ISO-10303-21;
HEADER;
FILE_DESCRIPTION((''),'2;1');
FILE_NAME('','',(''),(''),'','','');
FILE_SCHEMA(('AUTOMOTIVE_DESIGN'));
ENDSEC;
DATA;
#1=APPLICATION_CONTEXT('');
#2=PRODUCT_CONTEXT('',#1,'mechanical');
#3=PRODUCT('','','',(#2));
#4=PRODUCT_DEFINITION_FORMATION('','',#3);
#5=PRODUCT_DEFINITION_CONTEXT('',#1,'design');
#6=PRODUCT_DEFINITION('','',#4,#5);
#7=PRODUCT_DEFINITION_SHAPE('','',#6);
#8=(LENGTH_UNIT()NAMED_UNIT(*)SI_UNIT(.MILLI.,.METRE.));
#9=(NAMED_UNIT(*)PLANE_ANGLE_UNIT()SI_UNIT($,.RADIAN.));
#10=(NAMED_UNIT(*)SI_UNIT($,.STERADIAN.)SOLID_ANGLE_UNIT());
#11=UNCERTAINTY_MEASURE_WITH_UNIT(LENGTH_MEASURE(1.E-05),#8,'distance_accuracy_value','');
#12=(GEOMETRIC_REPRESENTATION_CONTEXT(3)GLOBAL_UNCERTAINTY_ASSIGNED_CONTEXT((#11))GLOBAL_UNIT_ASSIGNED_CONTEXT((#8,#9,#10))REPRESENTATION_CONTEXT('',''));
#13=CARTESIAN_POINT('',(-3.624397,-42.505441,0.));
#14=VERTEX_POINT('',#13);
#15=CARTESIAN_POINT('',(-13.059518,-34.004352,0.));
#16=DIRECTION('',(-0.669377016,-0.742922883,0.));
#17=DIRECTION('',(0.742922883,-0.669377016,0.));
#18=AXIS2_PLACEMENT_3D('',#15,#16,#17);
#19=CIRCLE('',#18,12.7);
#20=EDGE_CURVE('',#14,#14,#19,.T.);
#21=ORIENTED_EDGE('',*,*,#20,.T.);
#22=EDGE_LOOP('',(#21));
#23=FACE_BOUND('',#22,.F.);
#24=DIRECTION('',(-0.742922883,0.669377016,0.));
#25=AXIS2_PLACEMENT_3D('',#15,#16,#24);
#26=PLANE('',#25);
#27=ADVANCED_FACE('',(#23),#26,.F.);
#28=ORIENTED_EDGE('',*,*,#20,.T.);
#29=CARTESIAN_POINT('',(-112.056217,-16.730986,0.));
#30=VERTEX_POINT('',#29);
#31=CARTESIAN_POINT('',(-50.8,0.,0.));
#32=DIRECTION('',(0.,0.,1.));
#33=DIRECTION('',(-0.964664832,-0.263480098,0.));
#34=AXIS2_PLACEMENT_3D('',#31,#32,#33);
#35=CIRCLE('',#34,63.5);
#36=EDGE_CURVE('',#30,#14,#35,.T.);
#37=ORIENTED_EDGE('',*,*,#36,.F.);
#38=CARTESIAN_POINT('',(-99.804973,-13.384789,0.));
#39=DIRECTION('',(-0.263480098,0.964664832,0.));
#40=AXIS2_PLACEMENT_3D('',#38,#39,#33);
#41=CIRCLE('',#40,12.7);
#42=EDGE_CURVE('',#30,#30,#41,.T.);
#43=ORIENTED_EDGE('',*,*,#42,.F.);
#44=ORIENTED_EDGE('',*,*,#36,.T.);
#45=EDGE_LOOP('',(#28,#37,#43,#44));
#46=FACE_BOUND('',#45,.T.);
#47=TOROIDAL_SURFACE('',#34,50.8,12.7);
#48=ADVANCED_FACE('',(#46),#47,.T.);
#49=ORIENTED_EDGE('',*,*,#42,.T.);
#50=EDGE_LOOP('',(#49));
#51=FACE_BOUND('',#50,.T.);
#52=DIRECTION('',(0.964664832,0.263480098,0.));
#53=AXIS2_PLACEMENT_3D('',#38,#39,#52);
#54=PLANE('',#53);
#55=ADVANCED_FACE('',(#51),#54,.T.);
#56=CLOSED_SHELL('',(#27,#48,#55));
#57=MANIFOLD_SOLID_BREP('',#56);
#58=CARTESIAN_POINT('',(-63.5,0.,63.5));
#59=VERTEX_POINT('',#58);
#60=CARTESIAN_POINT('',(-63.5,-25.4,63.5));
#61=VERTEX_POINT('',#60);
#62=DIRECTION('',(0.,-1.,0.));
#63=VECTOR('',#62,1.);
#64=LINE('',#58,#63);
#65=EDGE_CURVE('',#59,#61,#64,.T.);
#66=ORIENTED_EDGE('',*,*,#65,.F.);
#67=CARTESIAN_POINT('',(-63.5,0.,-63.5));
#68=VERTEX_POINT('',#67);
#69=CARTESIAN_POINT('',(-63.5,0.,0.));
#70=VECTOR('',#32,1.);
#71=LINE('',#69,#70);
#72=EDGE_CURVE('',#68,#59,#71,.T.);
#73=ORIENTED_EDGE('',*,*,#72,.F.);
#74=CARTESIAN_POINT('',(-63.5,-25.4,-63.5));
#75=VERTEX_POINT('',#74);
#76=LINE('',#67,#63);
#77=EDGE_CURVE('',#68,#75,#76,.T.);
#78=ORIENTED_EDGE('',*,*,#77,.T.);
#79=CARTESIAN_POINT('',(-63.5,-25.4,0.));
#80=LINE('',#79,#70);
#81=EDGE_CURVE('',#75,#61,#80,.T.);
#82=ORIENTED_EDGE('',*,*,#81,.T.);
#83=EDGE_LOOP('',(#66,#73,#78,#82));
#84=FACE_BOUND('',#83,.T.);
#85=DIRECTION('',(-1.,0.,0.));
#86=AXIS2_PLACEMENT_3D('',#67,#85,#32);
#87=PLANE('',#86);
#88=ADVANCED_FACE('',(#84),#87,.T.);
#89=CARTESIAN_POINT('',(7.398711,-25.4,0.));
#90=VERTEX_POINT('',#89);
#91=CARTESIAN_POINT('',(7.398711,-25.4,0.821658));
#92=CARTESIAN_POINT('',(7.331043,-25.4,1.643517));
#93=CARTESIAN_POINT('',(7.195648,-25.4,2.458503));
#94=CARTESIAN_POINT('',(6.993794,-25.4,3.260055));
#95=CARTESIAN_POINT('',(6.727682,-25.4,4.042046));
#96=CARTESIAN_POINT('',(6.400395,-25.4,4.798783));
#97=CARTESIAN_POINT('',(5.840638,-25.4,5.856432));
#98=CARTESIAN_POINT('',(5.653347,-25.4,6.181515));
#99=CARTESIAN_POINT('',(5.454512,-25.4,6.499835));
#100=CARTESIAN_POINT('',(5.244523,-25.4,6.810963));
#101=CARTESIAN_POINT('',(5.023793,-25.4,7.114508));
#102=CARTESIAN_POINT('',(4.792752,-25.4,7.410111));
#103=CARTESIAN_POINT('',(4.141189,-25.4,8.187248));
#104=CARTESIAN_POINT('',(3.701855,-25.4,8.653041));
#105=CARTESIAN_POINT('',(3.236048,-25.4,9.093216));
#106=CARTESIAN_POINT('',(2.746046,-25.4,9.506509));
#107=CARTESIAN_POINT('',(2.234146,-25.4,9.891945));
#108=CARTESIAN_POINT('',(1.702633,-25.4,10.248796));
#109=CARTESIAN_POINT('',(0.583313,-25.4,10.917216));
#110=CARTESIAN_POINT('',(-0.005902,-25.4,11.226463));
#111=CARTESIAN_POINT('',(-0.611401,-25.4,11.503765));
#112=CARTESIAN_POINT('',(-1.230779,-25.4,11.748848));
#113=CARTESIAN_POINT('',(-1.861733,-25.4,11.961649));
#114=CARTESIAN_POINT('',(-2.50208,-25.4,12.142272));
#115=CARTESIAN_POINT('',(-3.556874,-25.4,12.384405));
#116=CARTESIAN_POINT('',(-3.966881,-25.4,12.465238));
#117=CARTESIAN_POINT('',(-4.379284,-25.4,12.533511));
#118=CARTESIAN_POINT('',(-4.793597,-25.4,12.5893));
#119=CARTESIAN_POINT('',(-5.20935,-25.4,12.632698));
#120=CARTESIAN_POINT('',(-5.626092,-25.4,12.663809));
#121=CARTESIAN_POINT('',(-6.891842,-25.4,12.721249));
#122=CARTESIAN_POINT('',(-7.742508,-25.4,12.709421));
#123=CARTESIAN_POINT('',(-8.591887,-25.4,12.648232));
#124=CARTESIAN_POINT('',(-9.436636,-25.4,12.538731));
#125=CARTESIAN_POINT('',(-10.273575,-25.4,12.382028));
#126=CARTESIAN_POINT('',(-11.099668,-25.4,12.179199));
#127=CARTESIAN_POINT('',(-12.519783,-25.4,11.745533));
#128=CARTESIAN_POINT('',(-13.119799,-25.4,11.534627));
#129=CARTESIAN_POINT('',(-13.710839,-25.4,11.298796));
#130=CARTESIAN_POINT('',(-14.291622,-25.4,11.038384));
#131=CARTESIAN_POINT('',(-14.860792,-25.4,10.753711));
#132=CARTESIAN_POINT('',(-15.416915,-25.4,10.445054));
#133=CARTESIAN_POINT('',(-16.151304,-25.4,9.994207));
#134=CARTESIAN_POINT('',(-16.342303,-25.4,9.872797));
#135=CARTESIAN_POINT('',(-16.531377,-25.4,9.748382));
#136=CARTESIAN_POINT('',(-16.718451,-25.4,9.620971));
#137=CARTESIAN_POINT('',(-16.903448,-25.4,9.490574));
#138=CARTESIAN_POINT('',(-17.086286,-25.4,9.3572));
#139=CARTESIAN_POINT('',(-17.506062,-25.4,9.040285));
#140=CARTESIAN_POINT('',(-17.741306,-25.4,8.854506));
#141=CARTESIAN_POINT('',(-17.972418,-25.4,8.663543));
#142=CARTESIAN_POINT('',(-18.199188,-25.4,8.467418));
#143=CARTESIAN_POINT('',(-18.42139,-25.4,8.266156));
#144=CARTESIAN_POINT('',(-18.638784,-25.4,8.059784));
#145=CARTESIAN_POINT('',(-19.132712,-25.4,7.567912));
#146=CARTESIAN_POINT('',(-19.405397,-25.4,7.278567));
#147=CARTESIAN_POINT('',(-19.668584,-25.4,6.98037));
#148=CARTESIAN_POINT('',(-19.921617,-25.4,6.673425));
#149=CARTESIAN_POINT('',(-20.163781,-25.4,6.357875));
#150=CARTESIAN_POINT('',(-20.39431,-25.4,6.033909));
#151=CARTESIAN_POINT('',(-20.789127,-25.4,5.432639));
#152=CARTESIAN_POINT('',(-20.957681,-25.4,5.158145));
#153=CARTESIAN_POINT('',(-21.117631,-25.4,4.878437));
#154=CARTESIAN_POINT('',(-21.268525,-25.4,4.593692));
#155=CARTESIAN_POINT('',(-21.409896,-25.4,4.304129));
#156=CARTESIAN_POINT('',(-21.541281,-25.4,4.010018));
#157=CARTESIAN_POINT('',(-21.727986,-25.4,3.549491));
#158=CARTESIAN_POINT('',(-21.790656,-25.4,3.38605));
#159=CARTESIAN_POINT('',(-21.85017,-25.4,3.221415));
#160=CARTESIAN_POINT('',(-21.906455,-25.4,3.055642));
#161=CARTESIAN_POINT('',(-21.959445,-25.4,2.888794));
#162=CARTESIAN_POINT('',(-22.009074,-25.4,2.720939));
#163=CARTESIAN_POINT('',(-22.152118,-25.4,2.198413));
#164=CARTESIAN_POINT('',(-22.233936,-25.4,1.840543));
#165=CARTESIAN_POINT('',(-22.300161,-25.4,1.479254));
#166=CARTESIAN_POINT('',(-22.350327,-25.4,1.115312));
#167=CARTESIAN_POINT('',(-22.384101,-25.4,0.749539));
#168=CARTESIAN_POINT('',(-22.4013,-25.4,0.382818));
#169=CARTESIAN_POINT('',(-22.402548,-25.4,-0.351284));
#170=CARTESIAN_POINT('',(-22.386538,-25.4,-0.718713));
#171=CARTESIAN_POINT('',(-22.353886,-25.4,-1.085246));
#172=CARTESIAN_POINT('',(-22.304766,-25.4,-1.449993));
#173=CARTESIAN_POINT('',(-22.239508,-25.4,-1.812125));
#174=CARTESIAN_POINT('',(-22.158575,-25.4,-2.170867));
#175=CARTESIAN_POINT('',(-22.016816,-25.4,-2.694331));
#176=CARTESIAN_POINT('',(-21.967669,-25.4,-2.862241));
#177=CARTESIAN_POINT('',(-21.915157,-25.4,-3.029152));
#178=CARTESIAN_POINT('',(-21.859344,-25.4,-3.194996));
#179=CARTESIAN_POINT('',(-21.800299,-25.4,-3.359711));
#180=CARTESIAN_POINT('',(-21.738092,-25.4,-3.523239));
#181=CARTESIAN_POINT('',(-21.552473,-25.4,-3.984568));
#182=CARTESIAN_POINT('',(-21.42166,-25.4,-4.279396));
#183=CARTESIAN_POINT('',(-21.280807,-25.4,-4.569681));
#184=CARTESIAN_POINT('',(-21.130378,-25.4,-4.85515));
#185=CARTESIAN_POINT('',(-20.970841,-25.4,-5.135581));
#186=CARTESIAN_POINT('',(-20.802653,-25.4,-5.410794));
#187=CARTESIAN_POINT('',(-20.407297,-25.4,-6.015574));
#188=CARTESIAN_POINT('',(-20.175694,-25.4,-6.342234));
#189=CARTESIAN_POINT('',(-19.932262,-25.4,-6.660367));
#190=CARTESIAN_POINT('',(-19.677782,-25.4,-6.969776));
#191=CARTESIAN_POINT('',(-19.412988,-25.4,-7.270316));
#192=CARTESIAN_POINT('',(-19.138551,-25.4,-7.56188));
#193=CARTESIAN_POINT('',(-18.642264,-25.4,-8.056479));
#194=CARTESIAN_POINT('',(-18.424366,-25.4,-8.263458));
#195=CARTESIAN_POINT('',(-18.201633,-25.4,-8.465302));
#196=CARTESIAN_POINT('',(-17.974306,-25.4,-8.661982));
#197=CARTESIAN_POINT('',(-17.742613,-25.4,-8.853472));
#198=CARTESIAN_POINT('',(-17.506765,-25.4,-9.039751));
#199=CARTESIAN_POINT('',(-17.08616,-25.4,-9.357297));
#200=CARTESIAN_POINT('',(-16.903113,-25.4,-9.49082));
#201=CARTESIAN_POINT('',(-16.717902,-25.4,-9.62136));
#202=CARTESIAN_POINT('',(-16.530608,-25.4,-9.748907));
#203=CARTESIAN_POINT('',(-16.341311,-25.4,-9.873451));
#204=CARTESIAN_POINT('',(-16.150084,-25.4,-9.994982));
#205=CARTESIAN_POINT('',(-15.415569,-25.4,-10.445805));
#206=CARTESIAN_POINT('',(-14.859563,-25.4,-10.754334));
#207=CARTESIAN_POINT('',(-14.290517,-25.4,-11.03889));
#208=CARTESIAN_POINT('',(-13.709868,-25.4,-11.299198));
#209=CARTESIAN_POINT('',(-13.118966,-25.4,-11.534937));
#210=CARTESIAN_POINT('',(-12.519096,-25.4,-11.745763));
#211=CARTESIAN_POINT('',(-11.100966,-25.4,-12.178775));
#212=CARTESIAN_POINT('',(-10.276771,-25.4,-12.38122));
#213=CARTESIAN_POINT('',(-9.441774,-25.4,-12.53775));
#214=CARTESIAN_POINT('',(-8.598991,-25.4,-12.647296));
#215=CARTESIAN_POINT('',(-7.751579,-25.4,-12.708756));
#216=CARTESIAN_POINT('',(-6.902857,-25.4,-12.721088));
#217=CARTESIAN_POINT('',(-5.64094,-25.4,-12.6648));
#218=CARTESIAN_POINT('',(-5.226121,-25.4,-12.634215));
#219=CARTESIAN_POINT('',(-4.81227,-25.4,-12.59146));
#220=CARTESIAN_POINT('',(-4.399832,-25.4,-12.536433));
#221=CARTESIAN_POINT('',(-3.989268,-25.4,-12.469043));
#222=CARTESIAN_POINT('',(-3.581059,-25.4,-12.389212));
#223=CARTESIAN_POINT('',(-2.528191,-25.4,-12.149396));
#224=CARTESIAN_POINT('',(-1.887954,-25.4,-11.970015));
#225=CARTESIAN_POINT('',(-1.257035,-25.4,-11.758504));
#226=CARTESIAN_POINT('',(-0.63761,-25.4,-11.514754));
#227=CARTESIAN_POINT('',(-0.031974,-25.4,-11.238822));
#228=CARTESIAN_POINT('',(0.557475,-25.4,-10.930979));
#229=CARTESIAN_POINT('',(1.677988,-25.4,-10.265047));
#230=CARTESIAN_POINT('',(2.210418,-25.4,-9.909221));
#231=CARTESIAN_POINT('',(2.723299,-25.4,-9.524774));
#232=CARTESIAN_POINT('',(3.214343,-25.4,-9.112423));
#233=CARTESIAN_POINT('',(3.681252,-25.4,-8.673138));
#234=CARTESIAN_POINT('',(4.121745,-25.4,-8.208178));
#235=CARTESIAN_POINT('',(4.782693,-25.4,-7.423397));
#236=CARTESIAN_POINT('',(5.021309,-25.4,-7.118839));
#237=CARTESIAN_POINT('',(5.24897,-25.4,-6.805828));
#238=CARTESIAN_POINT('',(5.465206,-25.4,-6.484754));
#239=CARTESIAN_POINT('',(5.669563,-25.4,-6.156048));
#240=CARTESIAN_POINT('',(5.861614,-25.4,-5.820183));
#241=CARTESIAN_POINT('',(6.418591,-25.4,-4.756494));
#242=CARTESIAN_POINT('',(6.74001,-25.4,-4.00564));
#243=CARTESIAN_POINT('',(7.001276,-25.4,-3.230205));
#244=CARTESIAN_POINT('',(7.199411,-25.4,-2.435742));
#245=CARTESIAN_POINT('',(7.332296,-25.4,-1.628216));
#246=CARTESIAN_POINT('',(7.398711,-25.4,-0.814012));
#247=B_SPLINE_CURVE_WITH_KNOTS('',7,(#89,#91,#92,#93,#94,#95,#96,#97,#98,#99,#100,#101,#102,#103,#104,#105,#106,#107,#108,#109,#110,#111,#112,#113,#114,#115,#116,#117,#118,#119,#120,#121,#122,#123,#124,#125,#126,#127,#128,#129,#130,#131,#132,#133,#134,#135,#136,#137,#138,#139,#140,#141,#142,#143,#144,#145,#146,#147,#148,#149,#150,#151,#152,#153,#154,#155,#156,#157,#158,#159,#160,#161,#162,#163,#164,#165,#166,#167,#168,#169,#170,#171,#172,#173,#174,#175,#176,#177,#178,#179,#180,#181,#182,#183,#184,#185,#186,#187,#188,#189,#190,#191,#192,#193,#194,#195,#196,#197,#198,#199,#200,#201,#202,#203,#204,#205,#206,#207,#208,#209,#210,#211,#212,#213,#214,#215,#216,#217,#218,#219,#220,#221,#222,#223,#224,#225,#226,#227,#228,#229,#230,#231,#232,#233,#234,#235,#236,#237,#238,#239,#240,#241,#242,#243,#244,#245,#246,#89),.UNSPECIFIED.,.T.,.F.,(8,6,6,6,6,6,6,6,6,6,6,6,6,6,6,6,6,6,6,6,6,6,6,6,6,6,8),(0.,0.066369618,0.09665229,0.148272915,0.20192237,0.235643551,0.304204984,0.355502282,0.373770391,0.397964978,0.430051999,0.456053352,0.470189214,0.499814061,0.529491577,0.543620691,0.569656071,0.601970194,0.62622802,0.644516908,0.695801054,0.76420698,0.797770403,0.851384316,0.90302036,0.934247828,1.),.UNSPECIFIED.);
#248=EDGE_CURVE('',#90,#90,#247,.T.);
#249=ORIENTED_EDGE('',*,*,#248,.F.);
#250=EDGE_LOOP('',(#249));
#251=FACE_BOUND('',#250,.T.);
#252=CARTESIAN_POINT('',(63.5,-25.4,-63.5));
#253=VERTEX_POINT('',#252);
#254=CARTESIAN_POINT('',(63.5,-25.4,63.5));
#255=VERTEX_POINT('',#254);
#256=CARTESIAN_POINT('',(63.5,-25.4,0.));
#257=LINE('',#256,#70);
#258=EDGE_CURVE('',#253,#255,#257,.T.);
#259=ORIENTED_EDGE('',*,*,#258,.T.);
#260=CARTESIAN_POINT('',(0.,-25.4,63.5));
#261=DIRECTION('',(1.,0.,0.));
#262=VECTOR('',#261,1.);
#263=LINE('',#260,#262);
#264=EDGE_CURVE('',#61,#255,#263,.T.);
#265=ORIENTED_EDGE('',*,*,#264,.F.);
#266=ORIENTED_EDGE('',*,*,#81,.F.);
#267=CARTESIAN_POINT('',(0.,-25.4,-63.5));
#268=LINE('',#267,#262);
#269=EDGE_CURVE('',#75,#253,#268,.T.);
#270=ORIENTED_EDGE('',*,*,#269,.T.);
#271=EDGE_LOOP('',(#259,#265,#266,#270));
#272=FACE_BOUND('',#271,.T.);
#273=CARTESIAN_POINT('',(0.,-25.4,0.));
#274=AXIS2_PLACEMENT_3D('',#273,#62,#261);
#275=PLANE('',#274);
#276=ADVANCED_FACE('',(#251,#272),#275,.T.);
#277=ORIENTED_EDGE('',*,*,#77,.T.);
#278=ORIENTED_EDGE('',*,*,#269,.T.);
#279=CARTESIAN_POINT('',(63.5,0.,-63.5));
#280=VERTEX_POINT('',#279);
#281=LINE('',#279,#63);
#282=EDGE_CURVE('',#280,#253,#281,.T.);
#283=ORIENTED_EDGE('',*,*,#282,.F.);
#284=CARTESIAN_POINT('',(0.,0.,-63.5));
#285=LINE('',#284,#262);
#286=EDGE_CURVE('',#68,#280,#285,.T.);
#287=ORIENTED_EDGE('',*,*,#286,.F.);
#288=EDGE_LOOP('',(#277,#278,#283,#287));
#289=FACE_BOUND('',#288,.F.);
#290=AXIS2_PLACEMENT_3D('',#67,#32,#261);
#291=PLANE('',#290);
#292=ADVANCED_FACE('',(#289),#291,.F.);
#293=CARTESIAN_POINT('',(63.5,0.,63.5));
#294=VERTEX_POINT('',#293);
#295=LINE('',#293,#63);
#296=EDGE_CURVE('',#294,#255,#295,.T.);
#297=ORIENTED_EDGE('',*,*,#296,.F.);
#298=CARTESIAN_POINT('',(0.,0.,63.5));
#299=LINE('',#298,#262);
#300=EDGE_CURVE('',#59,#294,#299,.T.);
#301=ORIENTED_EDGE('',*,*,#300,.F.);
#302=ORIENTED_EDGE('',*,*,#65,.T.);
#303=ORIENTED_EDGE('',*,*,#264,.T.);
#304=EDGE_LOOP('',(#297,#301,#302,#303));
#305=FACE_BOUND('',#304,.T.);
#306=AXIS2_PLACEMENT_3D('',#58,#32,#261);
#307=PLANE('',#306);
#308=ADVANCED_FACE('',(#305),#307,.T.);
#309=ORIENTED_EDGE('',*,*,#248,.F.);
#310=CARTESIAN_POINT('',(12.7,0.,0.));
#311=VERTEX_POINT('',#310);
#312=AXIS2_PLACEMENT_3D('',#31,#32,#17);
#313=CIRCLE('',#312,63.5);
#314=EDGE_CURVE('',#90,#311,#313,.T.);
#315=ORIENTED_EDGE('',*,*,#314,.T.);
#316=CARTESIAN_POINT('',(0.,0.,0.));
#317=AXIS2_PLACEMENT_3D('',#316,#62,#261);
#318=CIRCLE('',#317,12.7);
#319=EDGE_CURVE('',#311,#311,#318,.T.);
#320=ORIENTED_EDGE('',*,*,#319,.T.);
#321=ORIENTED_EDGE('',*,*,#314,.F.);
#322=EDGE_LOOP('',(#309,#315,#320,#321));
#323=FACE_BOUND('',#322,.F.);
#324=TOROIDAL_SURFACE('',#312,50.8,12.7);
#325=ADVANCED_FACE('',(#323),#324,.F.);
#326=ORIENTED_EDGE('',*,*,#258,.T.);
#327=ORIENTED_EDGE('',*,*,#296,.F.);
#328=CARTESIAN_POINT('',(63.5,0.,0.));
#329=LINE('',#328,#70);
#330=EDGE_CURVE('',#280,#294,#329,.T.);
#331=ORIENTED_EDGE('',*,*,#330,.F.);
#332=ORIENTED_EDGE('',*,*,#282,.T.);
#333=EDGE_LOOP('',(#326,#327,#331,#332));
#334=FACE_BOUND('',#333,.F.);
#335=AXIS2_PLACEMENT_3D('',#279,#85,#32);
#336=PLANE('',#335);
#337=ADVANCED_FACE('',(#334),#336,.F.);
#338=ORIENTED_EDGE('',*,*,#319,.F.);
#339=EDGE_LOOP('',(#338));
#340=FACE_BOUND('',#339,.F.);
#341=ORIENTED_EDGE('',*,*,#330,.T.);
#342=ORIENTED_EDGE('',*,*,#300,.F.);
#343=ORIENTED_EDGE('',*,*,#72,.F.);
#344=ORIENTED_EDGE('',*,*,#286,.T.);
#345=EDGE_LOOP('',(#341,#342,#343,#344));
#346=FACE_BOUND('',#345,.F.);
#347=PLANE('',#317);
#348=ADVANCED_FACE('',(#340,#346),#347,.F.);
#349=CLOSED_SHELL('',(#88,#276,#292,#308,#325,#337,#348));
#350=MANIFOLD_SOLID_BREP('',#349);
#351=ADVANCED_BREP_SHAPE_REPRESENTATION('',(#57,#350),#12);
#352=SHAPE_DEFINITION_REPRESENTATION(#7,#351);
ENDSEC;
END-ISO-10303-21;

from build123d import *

# Parameters (mm, degrees)
F1_W     = 127
F1_H     = 127
F2_DEPTH = 25.4
F0_R     = 12.7


with BuildPart() as f2:
    # F1 (on Front) → F2 (new body)
    with BuildSketch(Plane.XZ):
        Rectangle(F1_W, F1_H)
    extrude(amount=F2_DEPTH)


with BuildPart() as f4:
    # F4: sweep along a path in F3
    with BuildLine(Plane.XY) as f4_path:
        ThreePointArc((-99.8049734555, -13.3847890021), (-44.0476911925, -50.3492435471), (0, 0))
    # F0 (on Front) → F4 (sweep)
    with BuildSketch(Plane.XZ):
        Circle(F0_R)
    sweep(path=f4_path.line)


with BuildPart() as f6_tool:
    # F6: sweep along a path in F5
    with BuildLine(Plane.XY) as f6_path:
        ThreePointArc((-13.059517534, -34.004352416), (-3.3771336312, -18.2129554264), (0, 0))
    # F0 (on Front) → F6 (sweep)
    with BuildSketch(Plane.XZ):
        Circle(F0_R)
    sweep(path=f6_path.line)


with BuildPart() as f2_1:
    add(f2.part)

    # F6: cut by f6_tool
    add(f6_tool.part, mode=Mode.SUBTRACT)


with BuildPart() as f4_1:
    add(f4.part)

    # F6: cut by f6_tool
    add(f6_tool.part, mode=Mode.SUBTRACT)


solid = Compound([f2_1.part, f4_1.part])
